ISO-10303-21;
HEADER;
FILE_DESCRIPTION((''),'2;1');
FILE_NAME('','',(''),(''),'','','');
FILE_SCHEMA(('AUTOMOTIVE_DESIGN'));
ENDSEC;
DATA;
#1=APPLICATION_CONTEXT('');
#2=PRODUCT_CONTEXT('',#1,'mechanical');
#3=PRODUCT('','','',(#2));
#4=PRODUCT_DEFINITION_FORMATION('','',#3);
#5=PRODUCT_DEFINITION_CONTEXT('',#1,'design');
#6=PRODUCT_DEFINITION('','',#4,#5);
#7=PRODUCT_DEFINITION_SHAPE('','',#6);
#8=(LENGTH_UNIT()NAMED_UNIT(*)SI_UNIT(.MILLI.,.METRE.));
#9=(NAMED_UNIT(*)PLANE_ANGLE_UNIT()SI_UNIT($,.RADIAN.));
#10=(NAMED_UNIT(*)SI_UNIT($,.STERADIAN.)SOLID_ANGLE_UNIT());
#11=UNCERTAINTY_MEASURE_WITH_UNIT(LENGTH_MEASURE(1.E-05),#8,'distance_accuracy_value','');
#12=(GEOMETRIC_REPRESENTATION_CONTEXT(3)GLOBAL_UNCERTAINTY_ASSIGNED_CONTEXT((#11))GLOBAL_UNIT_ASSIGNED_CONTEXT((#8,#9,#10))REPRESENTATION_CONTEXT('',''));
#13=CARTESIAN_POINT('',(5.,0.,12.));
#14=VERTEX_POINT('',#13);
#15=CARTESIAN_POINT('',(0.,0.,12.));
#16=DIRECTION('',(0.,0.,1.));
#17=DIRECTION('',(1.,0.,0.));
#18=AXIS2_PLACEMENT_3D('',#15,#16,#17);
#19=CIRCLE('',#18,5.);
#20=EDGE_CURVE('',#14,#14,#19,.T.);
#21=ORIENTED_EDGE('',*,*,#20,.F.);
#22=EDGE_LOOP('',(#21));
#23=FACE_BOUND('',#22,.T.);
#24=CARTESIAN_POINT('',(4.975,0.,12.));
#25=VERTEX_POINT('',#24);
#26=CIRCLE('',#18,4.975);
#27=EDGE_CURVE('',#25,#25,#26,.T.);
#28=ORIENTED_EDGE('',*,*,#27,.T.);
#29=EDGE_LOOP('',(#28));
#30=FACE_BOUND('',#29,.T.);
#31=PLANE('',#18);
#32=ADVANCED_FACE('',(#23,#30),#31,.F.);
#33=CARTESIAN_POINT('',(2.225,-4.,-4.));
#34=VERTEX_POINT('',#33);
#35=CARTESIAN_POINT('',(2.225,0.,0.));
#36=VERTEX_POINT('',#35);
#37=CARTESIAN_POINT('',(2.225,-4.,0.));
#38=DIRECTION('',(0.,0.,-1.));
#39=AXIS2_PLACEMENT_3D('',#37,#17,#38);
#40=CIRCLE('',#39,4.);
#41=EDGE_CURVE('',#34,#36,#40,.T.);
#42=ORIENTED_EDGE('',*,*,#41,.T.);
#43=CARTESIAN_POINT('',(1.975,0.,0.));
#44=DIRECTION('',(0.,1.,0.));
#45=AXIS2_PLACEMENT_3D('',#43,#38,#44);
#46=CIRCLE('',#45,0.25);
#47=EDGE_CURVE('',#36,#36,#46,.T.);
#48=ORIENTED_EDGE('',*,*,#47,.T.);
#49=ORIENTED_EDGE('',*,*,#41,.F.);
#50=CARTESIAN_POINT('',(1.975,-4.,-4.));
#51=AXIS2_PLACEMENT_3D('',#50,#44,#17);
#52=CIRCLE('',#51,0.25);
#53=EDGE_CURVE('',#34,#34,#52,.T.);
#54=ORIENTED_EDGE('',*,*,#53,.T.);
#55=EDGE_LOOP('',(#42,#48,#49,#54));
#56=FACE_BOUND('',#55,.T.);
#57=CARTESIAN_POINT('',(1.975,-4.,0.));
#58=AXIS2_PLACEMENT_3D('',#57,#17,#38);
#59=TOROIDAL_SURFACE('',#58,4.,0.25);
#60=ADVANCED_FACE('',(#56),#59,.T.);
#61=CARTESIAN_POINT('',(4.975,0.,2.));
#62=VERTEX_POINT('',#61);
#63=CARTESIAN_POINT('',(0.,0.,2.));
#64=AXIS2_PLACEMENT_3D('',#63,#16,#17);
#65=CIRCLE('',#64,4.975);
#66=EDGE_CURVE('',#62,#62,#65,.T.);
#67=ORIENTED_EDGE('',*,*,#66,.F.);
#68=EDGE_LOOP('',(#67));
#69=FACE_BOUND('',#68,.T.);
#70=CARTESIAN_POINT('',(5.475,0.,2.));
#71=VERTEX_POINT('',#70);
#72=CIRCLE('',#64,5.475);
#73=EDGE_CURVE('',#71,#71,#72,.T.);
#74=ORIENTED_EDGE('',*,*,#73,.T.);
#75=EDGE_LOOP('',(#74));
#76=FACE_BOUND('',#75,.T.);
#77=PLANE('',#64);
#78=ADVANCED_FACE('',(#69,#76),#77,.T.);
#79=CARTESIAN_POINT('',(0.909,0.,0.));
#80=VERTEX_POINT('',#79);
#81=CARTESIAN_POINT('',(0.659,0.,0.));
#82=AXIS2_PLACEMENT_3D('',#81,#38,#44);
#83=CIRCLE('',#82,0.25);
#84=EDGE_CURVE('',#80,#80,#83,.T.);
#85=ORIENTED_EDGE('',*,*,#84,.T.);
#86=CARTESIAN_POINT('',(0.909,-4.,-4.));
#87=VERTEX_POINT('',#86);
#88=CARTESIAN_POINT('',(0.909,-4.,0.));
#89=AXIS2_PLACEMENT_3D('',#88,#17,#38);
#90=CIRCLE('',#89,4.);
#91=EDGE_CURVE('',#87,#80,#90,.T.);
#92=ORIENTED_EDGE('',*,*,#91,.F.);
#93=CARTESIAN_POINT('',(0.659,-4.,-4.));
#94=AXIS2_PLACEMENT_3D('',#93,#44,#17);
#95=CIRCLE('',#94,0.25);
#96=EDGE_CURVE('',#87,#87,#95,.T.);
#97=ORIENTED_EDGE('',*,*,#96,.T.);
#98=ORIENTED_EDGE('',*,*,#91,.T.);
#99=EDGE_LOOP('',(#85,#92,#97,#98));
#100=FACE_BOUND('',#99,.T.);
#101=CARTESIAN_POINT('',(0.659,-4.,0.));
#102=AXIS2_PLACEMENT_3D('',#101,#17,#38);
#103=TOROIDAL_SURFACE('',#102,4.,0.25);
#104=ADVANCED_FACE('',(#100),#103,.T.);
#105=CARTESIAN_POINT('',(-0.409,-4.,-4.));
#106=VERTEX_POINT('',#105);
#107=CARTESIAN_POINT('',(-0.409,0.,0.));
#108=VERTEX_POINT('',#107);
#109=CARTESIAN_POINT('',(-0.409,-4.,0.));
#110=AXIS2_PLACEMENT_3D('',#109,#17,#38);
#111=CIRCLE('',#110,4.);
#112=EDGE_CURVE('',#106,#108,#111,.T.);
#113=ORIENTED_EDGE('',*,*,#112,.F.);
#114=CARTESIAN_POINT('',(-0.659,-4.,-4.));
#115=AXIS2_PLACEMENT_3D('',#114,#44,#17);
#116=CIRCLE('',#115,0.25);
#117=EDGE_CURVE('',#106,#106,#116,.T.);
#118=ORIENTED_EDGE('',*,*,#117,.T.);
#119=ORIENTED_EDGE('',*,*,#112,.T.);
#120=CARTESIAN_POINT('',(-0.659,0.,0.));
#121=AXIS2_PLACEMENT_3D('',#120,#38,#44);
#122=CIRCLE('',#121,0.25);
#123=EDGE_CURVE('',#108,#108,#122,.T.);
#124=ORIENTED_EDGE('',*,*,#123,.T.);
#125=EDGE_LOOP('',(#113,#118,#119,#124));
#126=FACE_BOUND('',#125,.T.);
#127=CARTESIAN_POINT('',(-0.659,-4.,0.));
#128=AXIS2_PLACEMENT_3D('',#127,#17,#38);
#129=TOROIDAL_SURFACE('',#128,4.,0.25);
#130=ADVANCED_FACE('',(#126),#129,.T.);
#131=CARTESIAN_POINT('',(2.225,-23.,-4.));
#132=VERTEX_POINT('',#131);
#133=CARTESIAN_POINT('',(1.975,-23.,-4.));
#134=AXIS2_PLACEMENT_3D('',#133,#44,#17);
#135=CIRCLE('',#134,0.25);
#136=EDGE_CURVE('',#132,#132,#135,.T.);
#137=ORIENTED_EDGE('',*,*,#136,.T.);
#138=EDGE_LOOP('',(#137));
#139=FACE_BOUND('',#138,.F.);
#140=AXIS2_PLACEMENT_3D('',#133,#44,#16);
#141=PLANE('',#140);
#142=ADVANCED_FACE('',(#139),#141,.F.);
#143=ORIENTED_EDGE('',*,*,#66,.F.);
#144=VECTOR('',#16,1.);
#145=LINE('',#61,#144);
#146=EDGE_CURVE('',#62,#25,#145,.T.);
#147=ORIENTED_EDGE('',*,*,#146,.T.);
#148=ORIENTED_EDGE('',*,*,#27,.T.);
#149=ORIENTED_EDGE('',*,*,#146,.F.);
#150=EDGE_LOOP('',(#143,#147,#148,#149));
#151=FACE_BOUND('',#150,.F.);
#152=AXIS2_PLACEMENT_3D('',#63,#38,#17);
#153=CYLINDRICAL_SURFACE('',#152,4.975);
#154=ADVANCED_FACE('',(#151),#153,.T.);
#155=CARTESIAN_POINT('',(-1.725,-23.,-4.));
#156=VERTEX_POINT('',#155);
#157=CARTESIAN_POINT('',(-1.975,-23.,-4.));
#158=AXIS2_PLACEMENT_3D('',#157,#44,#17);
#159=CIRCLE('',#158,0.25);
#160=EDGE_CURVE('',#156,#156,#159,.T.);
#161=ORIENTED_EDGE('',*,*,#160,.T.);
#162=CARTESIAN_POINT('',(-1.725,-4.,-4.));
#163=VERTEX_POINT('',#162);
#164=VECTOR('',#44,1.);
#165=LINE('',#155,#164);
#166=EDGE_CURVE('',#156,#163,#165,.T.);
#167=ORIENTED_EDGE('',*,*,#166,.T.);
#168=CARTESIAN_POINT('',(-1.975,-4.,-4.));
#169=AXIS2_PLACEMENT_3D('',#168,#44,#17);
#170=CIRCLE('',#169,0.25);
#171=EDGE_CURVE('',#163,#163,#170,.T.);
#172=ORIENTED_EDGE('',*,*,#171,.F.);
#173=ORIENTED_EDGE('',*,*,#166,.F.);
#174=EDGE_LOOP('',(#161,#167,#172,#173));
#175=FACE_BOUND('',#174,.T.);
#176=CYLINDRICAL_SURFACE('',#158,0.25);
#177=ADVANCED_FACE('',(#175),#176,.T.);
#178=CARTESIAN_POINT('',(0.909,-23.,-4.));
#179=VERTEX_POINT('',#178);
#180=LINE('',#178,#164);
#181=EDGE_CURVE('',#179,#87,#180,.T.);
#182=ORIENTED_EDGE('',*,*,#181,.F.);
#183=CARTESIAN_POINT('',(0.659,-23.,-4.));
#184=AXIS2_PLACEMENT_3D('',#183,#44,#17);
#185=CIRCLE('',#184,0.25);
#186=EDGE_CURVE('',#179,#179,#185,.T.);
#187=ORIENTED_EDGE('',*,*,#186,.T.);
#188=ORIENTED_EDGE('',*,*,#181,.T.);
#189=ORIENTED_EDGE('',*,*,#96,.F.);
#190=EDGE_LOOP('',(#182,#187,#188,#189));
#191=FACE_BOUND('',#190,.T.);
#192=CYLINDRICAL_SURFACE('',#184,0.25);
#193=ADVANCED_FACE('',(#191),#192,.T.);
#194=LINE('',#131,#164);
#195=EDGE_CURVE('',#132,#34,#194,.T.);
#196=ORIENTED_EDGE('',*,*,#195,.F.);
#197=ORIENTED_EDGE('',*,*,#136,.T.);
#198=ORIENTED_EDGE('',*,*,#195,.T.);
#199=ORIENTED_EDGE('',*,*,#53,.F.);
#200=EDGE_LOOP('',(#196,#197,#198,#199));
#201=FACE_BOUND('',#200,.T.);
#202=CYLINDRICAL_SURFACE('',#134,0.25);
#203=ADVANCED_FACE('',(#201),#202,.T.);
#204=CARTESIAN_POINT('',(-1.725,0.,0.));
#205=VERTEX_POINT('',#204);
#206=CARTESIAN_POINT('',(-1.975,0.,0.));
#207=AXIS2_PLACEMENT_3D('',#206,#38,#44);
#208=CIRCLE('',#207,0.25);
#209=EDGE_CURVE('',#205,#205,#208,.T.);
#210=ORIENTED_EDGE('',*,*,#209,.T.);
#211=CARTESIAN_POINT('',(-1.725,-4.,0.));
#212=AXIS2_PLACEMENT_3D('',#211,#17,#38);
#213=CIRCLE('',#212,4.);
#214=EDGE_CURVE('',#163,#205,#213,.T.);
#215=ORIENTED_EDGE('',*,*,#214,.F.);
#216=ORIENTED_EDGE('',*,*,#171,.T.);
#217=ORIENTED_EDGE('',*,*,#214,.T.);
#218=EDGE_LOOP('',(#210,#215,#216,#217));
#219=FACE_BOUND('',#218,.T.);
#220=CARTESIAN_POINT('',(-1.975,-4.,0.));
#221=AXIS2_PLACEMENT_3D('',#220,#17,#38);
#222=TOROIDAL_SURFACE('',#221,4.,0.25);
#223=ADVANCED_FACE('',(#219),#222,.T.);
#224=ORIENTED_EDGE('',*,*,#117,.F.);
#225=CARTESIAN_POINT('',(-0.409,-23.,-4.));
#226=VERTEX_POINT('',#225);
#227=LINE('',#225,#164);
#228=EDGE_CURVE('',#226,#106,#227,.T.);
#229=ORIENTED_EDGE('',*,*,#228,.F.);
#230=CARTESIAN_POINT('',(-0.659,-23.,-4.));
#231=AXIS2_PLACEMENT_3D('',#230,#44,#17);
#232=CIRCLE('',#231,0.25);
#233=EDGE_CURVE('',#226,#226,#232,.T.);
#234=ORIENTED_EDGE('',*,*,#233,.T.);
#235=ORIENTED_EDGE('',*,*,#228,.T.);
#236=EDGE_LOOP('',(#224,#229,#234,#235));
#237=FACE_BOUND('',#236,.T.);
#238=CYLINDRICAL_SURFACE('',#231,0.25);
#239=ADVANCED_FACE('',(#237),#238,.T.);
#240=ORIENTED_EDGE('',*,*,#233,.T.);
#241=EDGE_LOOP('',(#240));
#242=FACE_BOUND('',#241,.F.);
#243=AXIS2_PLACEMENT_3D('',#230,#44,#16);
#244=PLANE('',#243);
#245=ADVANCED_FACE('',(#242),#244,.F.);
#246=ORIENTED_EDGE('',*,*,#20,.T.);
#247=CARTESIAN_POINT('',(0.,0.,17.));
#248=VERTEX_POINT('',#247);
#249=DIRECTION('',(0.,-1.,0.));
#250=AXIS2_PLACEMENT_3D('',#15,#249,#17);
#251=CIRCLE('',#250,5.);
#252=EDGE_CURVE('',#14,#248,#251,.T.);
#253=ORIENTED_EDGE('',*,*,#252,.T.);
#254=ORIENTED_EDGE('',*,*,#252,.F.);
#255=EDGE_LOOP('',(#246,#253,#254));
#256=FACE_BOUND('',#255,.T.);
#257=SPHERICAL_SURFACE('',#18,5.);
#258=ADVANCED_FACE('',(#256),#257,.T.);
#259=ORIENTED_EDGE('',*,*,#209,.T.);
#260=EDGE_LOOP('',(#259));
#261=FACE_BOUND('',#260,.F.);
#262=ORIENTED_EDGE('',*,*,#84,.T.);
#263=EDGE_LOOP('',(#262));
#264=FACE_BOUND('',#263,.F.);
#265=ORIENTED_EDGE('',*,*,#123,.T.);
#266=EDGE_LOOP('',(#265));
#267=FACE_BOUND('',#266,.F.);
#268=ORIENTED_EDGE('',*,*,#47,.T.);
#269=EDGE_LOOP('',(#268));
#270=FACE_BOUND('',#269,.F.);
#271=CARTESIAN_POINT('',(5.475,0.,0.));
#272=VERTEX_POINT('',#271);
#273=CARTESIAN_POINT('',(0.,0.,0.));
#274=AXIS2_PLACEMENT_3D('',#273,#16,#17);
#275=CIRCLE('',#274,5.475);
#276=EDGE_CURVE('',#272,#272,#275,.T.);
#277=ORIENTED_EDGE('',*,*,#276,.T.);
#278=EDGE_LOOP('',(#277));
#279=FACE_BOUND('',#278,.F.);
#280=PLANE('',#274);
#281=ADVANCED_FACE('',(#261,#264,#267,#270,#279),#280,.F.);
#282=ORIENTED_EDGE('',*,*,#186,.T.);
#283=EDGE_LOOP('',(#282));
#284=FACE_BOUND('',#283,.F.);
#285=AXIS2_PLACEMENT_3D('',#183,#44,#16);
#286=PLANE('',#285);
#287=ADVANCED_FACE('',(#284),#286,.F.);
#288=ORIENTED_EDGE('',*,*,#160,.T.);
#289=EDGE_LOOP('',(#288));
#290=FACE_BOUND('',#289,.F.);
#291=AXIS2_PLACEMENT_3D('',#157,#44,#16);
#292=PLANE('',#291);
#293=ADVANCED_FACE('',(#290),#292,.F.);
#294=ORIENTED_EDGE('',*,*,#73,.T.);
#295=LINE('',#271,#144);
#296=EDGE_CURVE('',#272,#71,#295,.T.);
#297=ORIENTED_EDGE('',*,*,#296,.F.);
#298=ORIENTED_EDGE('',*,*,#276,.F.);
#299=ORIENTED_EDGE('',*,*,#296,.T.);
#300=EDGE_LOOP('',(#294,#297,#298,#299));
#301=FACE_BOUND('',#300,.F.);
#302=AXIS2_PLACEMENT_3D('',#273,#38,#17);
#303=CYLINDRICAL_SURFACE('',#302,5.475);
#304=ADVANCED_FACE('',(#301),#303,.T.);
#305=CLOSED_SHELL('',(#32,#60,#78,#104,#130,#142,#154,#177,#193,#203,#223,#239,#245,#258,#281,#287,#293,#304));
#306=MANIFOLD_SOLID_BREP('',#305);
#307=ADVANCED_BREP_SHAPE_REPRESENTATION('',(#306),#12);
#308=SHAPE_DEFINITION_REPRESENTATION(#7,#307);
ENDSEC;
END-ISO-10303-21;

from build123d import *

# Parameters (mm, degrees)
F0_R     = 5.475
F1_DEPTH = 2
F2_R     = 4.975
F3_DEPTH = 10
F6_R     = 0.25


with BuildPart() as f1:
    # F0 (on Top) → F1 (new body)
    with BuildSketch(Plane.XY):
        Circle(F0_R)
    extrude(amount=F1_DEPTH)

    # F2 (on face) → F3 (join)
    with BuildSketch(Plane.XY.offset(2)):
        Circle(F2_R)
    extrude(amount=F3_DEPTH)

    # F4 (on Front) → F5 (revolve)
    with BuildSketch(Plane.XZ):
        with BuildLine():
            Line((0, 17), (0, 12))
            Line((0, 12), (5, 12))
            ThreePointArc((5, 12), (3.5355339059, 15.5355339059), (0, 17))
        make_face()
    revolve(axis=Axis((0, 0, 14.5), (0, 0, 1)))

    # F9: sweep along a path in F8
    with BuildLine(Plane.YZ.offset(1.974)) as f9_path:
        Line((-23, -4), (-4, -4))
        ThreePointArc((-4, -4), (-1.1715728753, -2.8284271247), (0, 0))
    # F6 (on Top) → F9 (sweep)
    with BuildSketch(Plane.XY):
        with Locations((-1.975, 0)):
            Circle(F6_R)
        with Locations((1.975, 0)):
            Circle(F6_R)
        with Locations((-0.659, 0)):
            Circle(F6_R)
        with Locations((0.659, 0)):
            Circle(F6_R)
    sweep(path=f9_path.line)


solid = f1.part
